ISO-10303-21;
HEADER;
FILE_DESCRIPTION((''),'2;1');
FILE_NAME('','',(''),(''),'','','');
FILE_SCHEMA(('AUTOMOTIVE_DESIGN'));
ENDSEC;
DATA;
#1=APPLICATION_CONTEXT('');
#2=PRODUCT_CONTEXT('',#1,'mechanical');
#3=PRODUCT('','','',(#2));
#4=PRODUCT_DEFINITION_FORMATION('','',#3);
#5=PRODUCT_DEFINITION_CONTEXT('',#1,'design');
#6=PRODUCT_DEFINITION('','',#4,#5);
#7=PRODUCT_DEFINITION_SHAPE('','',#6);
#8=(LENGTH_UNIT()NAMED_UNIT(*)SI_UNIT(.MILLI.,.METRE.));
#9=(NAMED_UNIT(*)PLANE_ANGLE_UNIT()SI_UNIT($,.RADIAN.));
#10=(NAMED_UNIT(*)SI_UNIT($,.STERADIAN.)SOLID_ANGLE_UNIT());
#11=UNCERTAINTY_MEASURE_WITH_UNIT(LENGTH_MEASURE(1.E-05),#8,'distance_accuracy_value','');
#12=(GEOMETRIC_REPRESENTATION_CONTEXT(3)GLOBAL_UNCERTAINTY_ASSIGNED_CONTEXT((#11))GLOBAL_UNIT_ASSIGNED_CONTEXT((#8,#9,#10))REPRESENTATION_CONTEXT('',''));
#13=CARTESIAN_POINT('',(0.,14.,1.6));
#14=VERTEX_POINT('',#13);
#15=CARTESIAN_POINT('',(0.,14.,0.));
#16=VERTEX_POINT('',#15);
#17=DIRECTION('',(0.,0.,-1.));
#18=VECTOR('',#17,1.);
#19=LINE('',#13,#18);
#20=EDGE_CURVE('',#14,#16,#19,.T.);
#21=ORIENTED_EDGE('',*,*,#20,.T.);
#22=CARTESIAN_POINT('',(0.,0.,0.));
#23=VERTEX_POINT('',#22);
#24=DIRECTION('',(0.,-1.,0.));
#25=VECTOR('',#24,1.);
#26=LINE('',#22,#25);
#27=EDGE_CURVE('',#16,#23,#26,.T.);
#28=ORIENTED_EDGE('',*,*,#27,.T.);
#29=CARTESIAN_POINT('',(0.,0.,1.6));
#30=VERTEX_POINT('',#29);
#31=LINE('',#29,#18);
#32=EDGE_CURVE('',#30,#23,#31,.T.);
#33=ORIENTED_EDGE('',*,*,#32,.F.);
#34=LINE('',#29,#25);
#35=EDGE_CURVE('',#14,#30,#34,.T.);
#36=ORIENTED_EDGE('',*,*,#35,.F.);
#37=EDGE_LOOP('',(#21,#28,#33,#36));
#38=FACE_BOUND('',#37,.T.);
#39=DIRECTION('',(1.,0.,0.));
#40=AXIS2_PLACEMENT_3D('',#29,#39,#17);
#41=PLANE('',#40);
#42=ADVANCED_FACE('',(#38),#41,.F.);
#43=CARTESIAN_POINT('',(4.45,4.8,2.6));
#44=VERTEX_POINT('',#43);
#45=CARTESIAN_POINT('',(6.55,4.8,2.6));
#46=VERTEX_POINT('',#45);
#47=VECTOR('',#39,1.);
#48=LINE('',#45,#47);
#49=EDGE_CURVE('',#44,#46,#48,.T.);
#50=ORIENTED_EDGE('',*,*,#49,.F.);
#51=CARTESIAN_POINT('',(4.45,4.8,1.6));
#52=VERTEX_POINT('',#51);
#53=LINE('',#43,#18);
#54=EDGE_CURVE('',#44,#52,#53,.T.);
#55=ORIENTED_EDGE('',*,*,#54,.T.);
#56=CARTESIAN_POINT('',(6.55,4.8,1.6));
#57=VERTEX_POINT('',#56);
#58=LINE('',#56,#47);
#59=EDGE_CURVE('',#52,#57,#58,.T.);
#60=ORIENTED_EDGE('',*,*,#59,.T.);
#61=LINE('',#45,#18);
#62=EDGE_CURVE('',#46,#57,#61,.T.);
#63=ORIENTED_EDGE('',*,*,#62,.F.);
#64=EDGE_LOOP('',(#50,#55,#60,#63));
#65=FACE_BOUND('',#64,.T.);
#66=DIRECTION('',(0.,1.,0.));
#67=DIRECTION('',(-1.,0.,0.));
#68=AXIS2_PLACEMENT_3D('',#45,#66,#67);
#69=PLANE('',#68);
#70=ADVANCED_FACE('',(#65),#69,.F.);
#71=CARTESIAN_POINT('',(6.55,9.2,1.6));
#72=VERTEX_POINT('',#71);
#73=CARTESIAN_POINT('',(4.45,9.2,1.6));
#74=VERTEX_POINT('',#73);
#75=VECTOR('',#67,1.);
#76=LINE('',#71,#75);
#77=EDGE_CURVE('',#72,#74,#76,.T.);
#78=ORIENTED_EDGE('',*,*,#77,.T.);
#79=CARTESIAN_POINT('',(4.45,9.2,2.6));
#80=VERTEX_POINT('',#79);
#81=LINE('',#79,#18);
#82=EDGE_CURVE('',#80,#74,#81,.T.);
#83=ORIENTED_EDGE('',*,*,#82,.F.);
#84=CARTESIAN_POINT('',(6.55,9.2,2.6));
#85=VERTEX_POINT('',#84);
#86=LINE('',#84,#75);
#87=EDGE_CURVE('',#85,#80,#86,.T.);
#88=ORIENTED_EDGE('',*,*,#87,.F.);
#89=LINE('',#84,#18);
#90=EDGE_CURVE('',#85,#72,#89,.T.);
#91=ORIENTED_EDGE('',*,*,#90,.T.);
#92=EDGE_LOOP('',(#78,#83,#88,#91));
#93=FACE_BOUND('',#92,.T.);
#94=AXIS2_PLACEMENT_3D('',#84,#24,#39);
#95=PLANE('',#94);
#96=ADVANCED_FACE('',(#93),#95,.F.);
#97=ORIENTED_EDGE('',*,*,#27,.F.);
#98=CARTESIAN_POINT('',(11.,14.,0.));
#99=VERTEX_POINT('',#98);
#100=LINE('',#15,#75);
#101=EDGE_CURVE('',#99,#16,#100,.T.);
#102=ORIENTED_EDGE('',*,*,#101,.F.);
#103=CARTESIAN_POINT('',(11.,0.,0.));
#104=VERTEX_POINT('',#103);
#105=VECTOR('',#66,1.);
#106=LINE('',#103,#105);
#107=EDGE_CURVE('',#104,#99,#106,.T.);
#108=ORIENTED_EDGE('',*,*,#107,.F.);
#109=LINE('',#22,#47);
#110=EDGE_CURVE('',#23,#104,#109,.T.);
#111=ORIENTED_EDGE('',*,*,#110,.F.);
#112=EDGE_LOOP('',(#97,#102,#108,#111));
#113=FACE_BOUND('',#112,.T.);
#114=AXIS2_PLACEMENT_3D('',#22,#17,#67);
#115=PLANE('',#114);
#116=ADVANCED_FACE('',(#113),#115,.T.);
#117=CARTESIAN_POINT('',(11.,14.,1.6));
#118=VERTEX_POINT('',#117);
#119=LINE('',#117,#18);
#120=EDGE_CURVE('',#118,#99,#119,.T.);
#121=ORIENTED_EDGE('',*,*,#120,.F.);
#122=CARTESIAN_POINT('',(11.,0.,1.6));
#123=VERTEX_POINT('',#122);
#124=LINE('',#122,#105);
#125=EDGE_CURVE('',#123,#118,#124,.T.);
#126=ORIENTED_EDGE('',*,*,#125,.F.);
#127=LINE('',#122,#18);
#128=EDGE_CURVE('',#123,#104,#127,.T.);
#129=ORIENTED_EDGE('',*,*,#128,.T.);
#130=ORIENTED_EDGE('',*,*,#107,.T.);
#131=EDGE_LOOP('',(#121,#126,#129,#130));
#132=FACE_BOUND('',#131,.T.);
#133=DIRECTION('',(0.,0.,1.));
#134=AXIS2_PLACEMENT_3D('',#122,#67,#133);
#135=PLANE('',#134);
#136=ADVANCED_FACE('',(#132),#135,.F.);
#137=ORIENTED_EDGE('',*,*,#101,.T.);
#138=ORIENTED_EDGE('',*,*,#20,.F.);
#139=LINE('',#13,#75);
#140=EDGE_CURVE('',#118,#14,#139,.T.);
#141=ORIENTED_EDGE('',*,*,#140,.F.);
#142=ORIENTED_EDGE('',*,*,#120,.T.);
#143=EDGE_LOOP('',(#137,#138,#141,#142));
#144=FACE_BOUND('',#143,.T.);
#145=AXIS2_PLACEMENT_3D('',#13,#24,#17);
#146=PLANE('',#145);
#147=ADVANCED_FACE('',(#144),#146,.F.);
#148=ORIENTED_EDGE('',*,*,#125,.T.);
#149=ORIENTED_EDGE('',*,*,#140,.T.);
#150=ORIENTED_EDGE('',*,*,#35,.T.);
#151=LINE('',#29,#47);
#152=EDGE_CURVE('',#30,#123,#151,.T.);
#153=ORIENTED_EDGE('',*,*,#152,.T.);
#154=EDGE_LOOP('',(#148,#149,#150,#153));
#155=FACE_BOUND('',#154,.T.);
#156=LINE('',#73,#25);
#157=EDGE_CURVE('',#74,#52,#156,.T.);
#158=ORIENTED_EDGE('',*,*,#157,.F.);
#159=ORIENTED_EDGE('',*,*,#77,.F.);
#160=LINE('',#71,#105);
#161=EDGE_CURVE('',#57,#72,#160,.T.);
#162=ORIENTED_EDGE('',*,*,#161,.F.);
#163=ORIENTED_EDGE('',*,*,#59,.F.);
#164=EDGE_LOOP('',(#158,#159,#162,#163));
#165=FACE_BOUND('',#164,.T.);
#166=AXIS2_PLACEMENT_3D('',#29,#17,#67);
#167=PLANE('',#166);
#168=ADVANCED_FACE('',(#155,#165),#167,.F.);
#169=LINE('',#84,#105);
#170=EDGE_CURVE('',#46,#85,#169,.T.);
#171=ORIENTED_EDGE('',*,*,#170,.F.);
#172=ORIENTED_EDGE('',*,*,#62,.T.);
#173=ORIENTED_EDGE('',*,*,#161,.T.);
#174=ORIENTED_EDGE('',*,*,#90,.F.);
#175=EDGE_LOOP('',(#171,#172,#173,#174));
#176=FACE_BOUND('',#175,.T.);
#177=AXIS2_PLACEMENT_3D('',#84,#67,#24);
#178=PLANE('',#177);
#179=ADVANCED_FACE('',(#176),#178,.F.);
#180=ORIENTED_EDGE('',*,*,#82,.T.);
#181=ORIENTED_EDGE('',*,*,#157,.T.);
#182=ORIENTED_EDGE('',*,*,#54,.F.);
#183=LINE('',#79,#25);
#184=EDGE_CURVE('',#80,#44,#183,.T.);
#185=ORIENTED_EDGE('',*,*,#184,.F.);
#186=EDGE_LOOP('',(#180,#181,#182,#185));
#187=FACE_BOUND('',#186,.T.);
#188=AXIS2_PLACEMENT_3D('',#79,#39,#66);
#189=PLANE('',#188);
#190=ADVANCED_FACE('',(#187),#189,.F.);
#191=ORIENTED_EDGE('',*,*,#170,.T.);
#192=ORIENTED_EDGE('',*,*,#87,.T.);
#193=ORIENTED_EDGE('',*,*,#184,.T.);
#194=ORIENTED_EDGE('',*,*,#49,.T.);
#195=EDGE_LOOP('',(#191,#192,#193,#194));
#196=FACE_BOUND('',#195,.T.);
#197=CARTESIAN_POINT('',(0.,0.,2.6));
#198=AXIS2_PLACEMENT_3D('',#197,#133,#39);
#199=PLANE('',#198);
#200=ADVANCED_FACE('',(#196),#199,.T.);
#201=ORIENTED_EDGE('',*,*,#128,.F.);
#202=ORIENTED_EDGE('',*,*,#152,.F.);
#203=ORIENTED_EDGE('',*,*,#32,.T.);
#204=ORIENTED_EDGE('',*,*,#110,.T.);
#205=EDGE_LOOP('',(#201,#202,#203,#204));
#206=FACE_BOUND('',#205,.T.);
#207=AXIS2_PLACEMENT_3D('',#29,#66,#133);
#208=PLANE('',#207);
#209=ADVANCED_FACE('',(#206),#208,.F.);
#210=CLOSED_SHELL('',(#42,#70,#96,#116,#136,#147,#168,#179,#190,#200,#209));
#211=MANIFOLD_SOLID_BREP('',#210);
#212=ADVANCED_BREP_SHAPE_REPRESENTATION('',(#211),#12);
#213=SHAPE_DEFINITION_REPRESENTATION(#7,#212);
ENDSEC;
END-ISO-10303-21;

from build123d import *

# Parameters (mm, degrees)
ESQUISSE1_W        = 11
ESQUISSE1_H        = 14
BOSS_EXTRU_1_DEPTH = 1.6
ESQUISSE2_W        = 2.1
ESQUISSE2_H        = 4.4
BOSS_EXTRU_2_DEPTH = 1


with BuildPart() as part:
    # Esquisse1 → Boss.-Extru.1 (new body)
    with BuildSketch(Plane.XY):
        with Locations((5.5, 7)):
            Rectangle(ESQUISSE1_W, ESQUISSE1_H)
    extrude(amount=BOSS_EXTRU_1_DEPTH)

    # Esquisse2 → Boss.-Extru.2 (add)
    with BuildSketch(Plane.XY.offset(1.6)):
        with Locations((5.5, 7)):
            Rectangle(ESQUISSE2_W, ESQUISSE2_H)
    extrude(amount=BOSS_EXTRU_2_DEPTH)


solid = part.part
